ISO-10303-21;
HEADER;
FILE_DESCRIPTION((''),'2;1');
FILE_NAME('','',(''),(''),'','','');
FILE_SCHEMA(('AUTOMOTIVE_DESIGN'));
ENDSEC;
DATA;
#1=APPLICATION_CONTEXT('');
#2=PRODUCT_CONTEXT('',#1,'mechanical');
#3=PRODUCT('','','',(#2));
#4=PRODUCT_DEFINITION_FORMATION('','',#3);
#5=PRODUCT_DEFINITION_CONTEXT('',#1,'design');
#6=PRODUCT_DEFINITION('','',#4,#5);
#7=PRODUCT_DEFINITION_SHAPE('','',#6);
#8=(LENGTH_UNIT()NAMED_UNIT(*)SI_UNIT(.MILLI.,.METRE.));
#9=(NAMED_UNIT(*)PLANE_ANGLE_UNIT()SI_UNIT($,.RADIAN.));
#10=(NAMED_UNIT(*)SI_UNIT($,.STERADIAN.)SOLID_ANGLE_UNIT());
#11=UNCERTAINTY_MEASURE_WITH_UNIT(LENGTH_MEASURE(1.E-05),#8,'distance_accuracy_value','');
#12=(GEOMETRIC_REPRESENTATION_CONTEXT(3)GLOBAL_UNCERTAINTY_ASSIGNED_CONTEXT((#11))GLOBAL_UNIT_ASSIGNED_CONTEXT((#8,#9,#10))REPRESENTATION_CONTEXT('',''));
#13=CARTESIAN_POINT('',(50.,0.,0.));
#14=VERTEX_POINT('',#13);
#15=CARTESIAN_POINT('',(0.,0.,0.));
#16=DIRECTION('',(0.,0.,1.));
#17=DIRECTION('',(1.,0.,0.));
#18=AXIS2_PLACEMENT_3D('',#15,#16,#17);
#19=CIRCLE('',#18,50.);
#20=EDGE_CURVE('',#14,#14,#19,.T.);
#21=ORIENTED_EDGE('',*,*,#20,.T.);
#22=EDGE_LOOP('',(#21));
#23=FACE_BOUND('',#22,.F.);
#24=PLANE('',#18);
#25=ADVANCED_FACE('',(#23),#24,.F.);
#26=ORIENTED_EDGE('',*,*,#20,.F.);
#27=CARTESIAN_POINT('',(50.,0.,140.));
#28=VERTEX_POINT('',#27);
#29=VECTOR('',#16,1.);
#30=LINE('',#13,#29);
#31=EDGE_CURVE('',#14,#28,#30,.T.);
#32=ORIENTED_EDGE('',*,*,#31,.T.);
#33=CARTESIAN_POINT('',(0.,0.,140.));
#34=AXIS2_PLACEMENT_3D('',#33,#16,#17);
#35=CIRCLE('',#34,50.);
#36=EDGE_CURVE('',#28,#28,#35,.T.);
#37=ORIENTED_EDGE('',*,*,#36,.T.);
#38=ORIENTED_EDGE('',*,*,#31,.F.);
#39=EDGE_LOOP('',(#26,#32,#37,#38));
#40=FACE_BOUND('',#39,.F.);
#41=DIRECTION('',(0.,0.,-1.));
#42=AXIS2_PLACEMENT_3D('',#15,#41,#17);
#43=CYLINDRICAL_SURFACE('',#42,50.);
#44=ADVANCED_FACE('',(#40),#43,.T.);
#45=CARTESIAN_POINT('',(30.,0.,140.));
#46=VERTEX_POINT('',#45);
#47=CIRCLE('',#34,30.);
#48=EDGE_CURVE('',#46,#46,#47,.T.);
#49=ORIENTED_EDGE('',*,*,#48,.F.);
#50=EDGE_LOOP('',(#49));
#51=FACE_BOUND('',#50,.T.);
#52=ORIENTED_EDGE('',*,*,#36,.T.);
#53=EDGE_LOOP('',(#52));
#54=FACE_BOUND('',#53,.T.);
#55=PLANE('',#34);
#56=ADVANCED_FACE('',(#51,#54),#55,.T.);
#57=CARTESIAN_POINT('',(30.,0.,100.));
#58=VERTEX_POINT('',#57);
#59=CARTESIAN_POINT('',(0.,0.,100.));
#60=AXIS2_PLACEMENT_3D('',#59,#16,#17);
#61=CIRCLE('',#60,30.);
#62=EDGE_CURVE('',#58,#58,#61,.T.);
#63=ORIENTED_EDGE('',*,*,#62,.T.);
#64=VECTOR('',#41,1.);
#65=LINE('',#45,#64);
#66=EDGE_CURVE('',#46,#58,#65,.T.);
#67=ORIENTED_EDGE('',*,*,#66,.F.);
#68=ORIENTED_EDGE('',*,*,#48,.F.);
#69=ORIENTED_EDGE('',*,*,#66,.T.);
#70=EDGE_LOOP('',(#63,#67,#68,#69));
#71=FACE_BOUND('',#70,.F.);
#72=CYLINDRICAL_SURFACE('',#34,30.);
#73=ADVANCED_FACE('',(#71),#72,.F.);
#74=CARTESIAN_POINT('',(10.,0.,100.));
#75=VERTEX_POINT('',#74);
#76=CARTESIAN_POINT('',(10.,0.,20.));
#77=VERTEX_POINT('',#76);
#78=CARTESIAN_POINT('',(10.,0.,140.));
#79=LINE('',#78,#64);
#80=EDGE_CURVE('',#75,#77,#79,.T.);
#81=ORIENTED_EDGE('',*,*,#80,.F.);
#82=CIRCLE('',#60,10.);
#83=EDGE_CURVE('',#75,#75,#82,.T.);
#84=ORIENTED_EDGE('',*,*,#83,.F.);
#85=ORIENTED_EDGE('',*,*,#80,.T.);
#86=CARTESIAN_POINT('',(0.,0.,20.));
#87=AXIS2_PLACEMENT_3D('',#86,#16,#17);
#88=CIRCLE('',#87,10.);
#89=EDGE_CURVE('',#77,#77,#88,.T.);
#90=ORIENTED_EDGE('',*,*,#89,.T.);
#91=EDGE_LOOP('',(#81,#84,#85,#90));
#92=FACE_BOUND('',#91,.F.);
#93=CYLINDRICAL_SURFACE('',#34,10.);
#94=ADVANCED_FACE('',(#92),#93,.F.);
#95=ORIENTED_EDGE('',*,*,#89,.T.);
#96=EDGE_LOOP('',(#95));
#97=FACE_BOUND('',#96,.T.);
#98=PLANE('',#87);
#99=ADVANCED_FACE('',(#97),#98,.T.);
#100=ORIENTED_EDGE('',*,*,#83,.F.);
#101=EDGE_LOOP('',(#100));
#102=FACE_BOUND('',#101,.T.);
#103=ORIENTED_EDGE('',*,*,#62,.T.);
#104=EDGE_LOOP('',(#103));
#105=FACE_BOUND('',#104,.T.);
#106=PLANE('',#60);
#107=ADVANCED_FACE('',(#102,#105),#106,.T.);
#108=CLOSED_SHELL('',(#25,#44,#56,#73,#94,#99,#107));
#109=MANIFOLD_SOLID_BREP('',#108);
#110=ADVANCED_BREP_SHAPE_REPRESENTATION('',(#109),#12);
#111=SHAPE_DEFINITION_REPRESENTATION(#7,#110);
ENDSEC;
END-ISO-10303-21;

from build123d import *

# Parameters (mm, degrees)
SKETCH1_R           = 50
BOSS_EXTRUDE1_DEPTH = 140
SKETCH2_R           = 10
CUT_EXTRUDE1_DEPTH  = 120
SKETCH3_R           = 30
CUT_EXTRUDE2_DEPTH  = 40


with BuildPart() as part:
    # Sketch1 → Boss-Extrude1 (new body)
    with BuildSketch(Plane.XY):
        Circle(SKETCH1_R)
    extrude(amount=BOSS_EXTRUDE1_DEPTH)

    # Sketch2 → Cut-Extrude1 (cut)
    with BuildSketch(Plane.XY.offset(140)):
        Circle(SKETCH2_R)
    extrude(amount=-CUT_EXTRUDE1_DEPTH, mode=Mode.SUBTRACT)

    # Sketch3 → Cut-Extrude2 (cut)
    with BuildSketch(Plane.XY.offset(140)):
        Circle(SKETCH3_R)
    extrude(amount=-CUT_EXTRUDE2_DEPTH, mode=Mode.SUBTRACT)


solid = part.part
